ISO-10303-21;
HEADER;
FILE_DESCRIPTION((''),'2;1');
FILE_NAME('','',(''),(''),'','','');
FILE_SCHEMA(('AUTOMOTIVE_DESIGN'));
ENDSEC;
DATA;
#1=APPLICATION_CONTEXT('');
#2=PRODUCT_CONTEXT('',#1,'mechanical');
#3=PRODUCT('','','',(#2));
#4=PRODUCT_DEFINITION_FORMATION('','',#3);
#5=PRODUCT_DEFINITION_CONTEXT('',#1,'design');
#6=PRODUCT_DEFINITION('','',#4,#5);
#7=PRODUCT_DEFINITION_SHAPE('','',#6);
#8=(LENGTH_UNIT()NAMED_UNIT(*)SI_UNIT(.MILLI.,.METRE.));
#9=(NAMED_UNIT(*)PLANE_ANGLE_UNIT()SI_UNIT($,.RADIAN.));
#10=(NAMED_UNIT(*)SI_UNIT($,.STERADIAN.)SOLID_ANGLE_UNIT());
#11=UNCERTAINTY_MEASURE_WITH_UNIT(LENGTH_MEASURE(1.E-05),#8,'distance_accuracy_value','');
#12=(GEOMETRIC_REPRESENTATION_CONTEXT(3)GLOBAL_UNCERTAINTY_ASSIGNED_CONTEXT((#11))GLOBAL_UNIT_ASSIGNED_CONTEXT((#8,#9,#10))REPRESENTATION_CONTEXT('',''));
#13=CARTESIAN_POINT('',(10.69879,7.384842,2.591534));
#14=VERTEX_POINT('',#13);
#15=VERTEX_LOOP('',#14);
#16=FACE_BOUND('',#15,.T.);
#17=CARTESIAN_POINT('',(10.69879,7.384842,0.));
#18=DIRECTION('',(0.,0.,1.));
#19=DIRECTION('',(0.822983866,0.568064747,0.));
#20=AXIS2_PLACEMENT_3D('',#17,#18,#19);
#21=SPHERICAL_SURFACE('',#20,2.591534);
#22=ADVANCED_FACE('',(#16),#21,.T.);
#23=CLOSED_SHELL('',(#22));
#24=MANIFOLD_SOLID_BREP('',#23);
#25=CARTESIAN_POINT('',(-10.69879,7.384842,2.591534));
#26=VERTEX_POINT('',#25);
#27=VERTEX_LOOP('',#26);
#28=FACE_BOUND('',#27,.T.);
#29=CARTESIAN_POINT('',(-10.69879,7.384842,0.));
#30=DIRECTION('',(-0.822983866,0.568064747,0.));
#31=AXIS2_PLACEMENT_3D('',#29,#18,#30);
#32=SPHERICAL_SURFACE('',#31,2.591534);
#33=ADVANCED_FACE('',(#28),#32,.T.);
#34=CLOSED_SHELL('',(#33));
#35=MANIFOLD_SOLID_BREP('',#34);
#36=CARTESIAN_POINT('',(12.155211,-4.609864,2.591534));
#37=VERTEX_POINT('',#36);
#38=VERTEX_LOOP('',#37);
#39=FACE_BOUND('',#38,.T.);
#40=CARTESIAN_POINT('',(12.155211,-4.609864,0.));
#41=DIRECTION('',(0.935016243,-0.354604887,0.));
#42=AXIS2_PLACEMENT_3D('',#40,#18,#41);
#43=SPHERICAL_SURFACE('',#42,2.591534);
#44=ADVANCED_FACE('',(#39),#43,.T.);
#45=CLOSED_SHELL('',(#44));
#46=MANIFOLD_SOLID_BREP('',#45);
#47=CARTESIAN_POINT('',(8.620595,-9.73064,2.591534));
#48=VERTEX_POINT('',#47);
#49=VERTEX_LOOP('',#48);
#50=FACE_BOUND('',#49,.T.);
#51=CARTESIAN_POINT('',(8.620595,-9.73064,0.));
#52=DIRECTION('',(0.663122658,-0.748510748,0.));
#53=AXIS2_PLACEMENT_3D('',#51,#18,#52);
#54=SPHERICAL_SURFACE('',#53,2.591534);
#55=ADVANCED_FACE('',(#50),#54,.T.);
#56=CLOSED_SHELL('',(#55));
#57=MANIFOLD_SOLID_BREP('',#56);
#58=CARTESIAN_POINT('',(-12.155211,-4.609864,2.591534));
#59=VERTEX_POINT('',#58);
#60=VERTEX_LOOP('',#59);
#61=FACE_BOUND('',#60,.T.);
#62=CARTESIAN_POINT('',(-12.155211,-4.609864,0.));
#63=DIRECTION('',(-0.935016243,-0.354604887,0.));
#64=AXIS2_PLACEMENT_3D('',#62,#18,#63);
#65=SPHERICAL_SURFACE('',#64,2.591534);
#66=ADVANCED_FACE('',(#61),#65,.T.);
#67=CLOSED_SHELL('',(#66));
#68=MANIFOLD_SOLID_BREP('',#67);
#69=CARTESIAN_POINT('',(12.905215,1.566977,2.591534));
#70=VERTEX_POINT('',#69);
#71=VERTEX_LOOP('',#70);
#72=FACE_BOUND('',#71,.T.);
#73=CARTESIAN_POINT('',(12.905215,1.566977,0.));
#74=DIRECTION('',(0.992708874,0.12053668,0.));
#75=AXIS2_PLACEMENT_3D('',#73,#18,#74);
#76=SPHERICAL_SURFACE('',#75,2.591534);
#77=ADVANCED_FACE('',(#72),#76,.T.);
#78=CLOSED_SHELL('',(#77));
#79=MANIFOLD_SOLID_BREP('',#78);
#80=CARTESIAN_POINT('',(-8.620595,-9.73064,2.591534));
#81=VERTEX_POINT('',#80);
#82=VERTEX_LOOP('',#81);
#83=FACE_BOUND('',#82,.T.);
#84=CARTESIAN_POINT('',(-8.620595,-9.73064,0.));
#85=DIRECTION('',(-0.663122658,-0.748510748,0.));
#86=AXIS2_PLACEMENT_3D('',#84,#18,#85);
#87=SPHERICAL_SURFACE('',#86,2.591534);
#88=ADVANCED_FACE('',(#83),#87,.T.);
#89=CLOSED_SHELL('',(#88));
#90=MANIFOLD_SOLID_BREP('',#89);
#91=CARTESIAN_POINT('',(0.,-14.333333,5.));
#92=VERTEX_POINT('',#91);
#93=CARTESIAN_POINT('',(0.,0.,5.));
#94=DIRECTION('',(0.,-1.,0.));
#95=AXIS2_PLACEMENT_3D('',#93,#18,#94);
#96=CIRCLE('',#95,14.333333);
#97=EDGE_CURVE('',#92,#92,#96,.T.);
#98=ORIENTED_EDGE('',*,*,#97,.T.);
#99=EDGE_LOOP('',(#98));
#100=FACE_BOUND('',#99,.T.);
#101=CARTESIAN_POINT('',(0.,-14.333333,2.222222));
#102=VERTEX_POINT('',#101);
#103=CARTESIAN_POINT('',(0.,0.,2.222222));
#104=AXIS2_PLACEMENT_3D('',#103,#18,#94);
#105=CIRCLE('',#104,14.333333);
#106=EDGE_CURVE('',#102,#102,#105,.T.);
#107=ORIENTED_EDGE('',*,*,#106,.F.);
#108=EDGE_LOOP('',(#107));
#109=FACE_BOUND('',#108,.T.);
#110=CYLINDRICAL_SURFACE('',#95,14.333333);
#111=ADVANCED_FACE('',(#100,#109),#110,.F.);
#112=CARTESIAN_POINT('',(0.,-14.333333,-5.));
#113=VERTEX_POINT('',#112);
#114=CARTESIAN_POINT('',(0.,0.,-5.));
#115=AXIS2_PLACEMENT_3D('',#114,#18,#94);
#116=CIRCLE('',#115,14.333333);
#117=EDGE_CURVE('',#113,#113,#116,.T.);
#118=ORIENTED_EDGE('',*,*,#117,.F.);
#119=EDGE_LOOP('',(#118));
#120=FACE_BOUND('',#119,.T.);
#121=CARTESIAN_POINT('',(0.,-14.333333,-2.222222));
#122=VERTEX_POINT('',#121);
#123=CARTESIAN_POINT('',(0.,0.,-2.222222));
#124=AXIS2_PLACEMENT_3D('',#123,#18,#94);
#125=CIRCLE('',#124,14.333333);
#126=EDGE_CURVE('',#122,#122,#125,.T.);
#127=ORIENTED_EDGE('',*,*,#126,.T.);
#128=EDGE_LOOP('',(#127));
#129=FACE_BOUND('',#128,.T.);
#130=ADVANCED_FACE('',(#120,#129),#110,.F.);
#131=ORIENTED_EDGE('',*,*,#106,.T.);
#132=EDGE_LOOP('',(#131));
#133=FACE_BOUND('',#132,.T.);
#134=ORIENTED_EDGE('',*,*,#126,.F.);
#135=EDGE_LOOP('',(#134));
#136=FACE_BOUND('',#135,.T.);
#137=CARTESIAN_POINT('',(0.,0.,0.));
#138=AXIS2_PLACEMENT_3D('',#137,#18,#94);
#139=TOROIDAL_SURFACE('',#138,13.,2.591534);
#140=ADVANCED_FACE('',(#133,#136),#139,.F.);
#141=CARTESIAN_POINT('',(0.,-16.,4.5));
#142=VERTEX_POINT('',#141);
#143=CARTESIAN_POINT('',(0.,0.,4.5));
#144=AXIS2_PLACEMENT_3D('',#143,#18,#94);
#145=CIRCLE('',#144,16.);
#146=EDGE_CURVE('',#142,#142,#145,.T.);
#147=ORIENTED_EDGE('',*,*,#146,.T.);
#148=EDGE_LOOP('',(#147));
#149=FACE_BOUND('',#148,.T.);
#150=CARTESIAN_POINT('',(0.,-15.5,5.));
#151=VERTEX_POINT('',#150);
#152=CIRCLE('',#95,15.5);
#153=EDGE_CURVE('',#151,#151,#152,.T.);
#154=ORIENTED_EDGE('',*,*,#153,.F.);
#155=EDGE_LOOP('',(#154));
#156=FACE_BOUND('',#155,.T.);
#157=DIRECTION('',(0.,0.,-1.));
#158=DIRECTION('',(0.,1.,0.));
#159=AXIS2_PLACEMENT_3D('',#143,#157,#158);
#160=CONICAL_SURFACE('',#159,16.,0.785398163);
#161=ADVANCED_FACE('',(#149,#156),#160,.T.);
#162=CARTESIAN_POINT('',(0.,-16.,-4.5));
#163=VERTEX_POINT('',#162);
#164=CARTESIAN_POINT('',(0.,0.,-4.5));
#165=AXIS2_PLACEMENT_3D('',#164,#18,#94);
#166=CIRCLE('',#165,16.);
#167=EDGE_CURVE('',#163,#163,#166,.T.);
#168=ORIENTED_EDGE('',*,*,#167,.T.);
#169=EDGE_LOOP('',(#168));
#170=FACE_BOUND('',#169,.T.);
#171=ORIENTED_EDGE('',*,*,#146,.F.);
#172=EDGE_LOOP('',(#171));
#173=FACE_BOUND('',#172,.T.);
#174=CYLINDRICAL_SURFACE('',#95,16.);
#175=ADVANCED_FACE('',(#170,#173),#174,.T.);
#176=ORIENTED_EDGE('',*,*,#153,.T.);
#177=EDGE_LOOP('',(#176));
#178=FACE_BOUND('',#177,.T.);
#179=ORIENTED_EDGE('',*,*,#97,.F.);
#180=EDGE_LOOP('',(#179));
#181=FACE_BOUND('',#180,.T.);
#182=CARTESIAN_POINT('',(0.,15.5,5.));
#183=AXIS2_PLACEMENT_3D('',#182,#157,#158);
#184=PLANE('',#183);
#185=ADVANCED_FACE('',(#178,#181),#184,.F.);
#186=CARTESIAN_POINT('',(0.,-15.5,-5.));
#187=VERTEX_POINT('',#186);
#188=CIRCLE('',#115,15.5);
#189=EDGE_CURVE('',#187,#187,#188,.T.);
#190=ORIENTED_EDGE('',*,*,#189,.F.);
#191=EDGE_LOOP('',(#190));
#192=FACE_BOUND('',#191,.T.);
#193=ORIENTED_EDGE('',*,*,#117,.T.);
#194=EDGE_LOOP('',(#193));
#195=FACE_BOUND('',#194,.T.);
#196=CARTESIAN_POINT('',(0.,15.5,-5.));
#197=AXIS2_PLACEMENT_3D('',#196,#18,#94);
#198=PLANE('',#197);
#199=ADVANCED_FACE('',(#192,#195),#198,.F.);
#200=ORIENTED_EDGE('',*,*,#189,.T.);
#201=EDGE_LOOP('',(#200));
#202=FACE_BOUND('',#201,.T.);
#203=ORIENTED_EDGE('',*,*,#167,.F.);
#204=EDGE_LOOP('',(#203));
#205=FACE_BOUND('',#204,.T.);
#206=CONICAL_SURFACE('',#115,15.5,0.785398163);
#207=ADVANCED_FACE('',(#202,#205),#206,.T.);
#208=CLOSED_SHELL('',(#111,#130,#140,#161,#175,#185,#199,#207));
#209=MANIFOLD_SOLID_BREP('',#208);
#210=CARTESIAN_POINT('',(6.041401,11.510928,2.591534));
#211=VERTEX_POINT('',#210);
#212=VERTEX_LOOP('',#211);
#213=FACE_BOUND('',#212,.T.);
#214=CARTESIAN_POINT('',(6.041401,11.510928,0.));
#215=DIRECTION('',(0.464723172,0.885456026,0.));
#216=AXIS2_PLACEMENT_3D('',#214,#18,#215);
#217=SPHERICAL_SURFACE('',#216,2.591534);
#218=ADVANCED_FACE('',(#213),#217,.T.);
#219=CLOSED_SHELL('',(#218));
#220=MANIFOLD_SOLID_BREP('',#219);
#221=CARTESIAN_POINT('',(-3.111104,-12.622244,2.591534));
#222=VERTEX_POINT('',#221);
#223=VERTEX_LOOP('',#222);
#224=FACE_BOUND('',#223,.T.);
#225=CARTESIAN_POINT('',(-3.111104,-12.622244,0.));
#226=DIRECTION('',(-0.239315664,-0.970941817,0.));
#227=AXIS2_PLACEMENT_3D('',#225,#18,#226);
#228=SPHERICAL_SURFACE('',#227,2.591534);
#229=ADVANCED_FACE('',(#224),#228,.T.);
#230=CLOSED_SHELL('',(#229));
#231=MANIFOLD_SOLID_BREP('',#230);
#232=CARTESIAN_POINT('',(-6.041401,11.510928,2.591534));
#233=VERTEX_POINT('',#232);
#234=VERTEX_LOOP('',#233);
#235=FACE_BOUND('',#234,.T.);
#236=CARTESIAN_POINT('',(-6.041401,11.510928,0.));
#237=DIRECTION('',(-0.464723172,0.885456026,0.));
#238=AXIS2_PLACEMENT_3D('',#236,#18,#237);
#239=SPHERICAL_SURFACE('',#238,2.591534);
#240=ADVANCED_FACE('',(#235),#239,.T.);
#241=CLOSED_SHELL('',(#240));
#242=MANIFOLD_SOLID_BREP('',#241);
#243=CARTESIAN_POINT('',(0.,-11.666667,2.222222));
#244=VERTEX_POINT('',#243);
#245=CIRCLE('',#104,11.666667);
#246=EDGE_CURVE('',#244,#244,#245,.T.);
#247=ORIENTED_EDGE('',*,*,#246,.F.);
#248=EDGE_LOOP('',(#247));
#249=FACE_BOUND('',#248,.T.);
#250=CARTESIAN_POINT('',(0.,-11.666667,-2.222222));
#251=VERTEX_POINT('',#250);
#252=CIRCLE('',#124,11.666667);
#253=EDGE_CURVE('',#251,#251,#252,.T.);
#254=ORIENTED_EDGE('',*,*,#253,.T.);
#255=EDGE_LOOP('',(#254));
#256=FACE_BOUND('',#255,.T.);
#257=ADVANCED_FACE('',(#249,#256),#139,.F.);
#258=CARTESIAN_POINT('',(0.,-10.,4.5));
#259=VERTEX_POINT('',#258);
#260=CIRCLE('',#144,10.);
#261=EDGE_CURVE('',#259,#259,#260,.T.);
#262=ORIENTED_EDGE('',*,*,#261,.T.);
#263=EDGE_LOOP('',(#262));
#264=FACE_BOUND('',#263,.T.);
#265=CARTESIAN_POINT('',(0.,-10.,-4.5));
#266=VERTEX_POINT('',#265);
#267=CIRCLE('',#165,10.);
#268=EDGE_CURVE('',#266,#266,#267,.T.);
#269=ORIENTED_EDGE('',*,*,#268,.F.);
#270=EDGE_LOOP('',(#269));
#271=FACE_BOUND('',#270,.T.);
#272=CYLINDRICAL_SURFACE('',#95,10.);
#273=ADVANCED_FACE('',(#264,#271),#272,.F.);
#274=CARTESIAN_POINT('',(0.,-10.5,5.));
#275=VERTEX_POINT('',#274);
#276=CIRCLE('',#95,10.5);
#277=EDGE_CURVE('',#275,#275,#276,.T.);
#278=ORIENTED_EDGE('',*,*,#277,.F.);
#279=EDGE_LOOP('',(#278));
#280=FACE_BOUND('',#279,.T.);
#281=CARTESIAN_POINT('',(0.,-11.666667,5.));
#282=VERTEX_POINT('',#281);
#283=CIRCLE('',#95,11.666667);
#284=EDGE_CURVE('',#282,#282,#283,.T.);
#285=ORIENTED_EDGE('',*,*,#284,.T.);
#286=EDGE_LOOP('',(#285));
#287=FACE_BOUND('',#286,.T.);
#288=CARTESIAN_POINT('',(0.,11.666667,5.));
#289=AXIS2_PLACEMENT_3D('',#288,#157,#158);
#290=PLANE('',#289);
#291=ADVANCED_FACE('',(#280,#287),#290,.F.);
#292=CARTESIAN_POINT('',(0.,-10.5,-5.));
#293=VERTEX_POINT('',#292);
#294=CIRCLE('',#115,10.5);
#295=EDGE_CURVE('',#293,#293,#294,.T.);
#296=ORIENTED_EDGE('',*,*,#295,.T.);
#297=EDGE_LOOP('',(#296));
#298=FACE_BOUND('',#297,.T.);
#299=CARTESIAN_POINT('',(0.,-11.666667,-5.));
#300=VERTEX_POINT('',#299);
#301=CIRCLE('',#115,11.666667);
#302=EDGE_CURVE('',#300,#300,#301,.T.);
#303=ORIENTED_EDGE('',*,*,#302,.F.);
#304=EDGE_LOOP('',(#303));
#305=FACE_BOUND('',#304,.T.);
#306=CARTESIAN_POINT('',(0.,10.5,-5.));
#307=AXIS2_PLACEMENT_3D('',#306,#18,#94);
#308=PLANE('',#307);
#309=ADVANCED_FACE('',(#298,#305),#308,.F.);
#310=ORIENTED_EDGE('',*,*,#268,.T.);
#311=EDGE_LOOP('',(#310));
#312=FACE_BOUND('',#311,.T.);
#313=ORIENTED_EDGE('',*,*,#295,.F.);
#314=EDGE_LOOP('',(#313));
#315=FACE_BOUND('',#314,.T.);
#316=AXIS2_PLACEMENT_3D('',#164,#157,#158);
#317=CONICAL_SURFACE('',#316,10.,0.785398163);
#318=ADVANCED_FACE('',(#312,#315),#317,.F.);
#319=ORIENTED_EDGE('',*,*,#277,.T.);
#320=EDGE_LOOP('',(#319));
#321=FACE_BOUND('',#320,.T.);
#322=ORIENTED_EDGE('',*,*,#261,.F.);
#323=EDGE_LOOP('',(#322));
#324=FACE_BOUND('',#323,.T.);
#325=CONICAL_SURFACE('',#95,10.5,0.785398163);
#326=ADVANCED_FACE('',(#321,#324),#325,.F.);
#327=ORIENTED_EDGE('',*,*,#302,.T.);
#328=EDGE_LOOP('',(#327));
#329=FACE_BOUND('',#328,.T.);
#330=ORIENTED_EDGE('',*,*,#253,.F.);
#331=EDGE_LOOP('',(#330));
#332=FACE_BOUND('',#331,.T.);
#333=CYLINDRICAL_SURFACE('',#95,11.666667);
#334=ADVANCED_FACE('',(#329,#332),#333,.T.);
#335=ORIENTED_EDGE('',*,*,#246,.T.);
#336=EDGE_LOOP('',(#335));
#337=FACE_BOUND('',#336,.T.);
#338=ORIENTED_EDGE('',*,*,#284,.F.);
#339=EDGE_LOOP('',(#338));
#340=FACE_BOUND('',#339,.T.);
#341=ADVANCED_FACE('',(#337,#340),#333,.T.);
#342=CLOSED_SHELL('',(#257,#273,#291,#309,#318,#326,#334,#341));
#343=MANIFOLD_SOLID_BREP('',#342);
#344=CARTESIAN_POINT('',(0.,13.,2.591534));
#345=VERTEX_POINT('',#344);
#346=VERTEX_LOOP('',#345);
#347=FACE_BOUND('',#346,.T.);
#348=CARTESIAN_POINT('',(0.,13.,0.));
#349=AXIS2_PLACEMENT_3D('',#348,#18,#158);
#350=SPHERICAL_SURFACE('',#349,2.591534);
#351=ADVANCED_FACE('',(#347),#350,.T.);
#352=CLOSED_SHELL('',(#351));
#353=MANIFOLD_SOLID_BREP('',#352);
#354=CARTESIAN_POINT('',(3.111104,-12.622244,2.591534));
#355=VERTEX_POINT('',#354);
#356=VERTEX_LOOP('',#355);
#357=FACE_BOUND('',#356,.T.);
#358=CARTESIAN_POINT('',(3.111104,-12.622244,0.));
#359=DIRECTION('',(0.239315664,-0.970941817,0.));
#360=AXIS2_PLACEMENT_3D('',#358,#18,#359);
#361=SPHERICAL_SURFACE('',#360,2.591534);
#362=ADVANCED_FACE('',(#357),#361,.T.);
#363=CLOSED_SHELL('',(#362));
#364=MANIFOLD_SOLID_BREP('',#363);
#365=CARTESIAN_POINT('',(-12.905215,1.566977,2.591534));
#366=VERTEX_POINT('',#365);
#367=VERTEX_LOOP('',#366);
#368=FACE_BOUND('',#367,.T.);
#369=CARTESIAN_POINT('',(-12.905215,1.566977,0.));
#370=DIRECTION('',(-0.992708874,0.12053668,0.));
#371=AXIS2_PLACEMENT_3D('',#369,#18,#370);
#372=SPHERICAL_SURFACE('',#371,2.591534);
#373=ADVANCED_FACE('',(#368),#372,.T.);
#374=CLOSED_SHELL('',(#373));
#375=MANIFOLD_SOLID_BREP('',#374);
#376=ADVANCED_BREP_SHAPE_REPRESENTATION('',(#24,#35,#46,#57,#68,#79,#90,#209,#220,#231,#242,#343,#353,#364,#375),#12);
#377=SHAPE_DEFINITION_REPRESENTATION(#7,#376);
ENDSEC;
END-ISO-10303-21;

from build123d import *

# Parameters (mm, degrees)
CIRPATTERN1_COUNT = 13


with BuildPart() as part:
    # Sketch6 → Revolve5 (revolve)
    with BuildSketch(Plane(origin=(0, 0, 0), x_dir=(0, 0, -1), z_dir=(1, 0, 0)), mode=Mode.PRIVATE) as revolve5_sk:
        with BuildLine():
            Line((4.5, 16), (5, 15.5))
            Line((5, 15.5), (5, 14.333333333))
            Line((5, 14.333333333), (2.222222222, 14.333333333))
            ThreePointArc((2.222222222, 14.333333333), (0, 15.591534175), (-2.222222222, 14.333333333))
            Line((-2.222222222, 14.333333333), (-5, 14.333333333))
            Line((-5, 14.333333333), (-5, 15.5))
            Line((-5, 15.5), (-4.5, 16))
            Line((-4.5, 16), (4.5, 16))
        make_face()
    revolve(revolve5_sk.sketch.rotate(Axis((0, 0, 5), (0, 0, -1)), 180), axis=Axis((0, 0, 5), (0, 0, -1)))


with BuildPart() as body_2:
    # Sketch3 → Revolve3 (revolve)
    with BuildSketch(Plane(origin=(0, 0, 0), x_dir=(0, 0, -1), z_dir=(1, 0, 0)), mode=Mode.PRIVATE) as revolve3_sk:
        with BuildLine():
            Line((-5, 11.666666667), (-2.222222222, 11.666666667))
            ThreePointArc((-2.222222222, 11.666666667), (0, 10.408465825), (2.222222222, 11.666666667))
            Line((2.222222222, 11.666666667), (5, 11.666666667))
            Line((5, 11.666666667), (5, 10.5))
            Line((5, 10.5), (4.5, 10))
            Line((4.5, 10), (-4.5, 10))
            Line((-4.5, 10), (-5, 10.5))
            Line((-5, 10.5), (-5, 11.666666667))
        make_face()
    revolve(revolve3_sk.sketch.rotate(Axis((0, 0, 5), (0, 0, -1)), 180), axis=Axis((0, 0, 5), (0, 0, -1)))


with BuildPart() as body_3:
    # Sketch4 → Revolve4 (revolve)
    with BuildSketch(Plane(origin=(0, 0, 0), x_dir=(0, 0, -1), z_dir=(1, 0, 0))):
        with BuildLine():
            Line((-2.591534175, 13), (2.591534175, 13))
            ThreePointArc((2.591534175, 13), (0, 15.591534175), (-2.591534175, 13))
        make_face()
    revolve(axis=Axis((0, 13, 2.591534175), (0, 0, -1)))


with BuildPart() as cirpattern1_1:
    # CirPattern1: pattern copy
    add(body_3.part.rotate(Axis((0, 0, 0), (0, 0, 1)), 1 * 360 / CIRPATTERN1_COUNT))


with BuildPart() as cirpattern1_2:
    # CirPattern1: pattern copy
    add(body_3.part.rotate(Axis((0, 0, 0), (0, 0, 1)), 2 * 360 / CIRPATTERN1_COUNT))


with BuildPart() as cirpattern1_3:
    # CirPattern1: pattern copy
    add(body_3.part.rotate(Axis((0, 0, 0), (0, 0, 1)), 3 * 360 / CIRPATTERN1_COUNT))


with BuildPart() as cirpattern1_4:
    # CirPattern1: pattern copy
    add(body_3.part.rotate(Axis((0, 0, 0), (0, 0, 1)), 4 * 360 / CIRPATTERN1_COUNT))


with BuildPart() as cirpattern1_5:
    # CirPattern1: pattern copy
    add(body_3.part.rotate(Axis((0, 0, 0), (0, 0, 1)), 5 * 360 / CIRPATTERN1_COUNT))


with BuildPart() as cirpattern1_6:
    # CirPattern1: pattern copy
    add(body_3.part.rotate(Axis((0, 0, 0), (0, 0, 1)), 6 * 360 / CIRPATTERN1_COUNT))


with BuildPart() as cirpattern1_7:
    # CirPattern1: pattern copy
    add(body_3.part.rotate(Axis((0, 0, 0), (0, 0, 1)), 7 * 360 / CIRPATTERN1_COUNT))


with BuildPart() as cirpattern1_8:
    # CirPattern1: pattern copy
    add(body_3.part.rotate(Axis((0, 0, 0), (0, 0, 1)), 8 * 360 / CIRPATTERN1_COUNT))


with BuildPart() as cirpattern1_9:
    # CirPattern1: pattern copy
    add(body_3.part.rotate(Axis((0, 0, 0), (0, 0, 1)), 9 * 360 / CIRPATTERN1_COUNT))


with BuildPart() as cirpattern1_10:
    # CirPattern1: pattern copy
    add(body_3.part.rotate(Axis((0, 0, 0), (0, 0, 1)), 10 * 360 / CIRPATTERN1_COUNT))


with BuildPart() as cirpattern1_11:
    # CirPattern1: pattern copy
    add(body_3.part.rotate(Axis((0, 0, 0), (0, 0, 1)), 11 * 360 / CIRPATTERN1_COUNT))


with BuildPart() as cirpattern1_12:
    # CirPattern1: pattern copy
    add(body_3.part.rotate(Axis((0, 0, 0), (0, 0, 1)), 12 * 360 / CIRPATTERN1_COUNT))


solid = Compound([part.part, body_2.part, body_3.part, cirpattern1_1.part, cirpattern1_2.part, cirpattern1_3.part, cirpattern1_4.part, cirpattern1_5.part, cirpattern1_6.part, cirpattern1_7.part, cirpattern1_8.part, cirpattern1_9.part, cirpattern1_10.part, cirpattern1_11.part, cirpattern1_12.part])
